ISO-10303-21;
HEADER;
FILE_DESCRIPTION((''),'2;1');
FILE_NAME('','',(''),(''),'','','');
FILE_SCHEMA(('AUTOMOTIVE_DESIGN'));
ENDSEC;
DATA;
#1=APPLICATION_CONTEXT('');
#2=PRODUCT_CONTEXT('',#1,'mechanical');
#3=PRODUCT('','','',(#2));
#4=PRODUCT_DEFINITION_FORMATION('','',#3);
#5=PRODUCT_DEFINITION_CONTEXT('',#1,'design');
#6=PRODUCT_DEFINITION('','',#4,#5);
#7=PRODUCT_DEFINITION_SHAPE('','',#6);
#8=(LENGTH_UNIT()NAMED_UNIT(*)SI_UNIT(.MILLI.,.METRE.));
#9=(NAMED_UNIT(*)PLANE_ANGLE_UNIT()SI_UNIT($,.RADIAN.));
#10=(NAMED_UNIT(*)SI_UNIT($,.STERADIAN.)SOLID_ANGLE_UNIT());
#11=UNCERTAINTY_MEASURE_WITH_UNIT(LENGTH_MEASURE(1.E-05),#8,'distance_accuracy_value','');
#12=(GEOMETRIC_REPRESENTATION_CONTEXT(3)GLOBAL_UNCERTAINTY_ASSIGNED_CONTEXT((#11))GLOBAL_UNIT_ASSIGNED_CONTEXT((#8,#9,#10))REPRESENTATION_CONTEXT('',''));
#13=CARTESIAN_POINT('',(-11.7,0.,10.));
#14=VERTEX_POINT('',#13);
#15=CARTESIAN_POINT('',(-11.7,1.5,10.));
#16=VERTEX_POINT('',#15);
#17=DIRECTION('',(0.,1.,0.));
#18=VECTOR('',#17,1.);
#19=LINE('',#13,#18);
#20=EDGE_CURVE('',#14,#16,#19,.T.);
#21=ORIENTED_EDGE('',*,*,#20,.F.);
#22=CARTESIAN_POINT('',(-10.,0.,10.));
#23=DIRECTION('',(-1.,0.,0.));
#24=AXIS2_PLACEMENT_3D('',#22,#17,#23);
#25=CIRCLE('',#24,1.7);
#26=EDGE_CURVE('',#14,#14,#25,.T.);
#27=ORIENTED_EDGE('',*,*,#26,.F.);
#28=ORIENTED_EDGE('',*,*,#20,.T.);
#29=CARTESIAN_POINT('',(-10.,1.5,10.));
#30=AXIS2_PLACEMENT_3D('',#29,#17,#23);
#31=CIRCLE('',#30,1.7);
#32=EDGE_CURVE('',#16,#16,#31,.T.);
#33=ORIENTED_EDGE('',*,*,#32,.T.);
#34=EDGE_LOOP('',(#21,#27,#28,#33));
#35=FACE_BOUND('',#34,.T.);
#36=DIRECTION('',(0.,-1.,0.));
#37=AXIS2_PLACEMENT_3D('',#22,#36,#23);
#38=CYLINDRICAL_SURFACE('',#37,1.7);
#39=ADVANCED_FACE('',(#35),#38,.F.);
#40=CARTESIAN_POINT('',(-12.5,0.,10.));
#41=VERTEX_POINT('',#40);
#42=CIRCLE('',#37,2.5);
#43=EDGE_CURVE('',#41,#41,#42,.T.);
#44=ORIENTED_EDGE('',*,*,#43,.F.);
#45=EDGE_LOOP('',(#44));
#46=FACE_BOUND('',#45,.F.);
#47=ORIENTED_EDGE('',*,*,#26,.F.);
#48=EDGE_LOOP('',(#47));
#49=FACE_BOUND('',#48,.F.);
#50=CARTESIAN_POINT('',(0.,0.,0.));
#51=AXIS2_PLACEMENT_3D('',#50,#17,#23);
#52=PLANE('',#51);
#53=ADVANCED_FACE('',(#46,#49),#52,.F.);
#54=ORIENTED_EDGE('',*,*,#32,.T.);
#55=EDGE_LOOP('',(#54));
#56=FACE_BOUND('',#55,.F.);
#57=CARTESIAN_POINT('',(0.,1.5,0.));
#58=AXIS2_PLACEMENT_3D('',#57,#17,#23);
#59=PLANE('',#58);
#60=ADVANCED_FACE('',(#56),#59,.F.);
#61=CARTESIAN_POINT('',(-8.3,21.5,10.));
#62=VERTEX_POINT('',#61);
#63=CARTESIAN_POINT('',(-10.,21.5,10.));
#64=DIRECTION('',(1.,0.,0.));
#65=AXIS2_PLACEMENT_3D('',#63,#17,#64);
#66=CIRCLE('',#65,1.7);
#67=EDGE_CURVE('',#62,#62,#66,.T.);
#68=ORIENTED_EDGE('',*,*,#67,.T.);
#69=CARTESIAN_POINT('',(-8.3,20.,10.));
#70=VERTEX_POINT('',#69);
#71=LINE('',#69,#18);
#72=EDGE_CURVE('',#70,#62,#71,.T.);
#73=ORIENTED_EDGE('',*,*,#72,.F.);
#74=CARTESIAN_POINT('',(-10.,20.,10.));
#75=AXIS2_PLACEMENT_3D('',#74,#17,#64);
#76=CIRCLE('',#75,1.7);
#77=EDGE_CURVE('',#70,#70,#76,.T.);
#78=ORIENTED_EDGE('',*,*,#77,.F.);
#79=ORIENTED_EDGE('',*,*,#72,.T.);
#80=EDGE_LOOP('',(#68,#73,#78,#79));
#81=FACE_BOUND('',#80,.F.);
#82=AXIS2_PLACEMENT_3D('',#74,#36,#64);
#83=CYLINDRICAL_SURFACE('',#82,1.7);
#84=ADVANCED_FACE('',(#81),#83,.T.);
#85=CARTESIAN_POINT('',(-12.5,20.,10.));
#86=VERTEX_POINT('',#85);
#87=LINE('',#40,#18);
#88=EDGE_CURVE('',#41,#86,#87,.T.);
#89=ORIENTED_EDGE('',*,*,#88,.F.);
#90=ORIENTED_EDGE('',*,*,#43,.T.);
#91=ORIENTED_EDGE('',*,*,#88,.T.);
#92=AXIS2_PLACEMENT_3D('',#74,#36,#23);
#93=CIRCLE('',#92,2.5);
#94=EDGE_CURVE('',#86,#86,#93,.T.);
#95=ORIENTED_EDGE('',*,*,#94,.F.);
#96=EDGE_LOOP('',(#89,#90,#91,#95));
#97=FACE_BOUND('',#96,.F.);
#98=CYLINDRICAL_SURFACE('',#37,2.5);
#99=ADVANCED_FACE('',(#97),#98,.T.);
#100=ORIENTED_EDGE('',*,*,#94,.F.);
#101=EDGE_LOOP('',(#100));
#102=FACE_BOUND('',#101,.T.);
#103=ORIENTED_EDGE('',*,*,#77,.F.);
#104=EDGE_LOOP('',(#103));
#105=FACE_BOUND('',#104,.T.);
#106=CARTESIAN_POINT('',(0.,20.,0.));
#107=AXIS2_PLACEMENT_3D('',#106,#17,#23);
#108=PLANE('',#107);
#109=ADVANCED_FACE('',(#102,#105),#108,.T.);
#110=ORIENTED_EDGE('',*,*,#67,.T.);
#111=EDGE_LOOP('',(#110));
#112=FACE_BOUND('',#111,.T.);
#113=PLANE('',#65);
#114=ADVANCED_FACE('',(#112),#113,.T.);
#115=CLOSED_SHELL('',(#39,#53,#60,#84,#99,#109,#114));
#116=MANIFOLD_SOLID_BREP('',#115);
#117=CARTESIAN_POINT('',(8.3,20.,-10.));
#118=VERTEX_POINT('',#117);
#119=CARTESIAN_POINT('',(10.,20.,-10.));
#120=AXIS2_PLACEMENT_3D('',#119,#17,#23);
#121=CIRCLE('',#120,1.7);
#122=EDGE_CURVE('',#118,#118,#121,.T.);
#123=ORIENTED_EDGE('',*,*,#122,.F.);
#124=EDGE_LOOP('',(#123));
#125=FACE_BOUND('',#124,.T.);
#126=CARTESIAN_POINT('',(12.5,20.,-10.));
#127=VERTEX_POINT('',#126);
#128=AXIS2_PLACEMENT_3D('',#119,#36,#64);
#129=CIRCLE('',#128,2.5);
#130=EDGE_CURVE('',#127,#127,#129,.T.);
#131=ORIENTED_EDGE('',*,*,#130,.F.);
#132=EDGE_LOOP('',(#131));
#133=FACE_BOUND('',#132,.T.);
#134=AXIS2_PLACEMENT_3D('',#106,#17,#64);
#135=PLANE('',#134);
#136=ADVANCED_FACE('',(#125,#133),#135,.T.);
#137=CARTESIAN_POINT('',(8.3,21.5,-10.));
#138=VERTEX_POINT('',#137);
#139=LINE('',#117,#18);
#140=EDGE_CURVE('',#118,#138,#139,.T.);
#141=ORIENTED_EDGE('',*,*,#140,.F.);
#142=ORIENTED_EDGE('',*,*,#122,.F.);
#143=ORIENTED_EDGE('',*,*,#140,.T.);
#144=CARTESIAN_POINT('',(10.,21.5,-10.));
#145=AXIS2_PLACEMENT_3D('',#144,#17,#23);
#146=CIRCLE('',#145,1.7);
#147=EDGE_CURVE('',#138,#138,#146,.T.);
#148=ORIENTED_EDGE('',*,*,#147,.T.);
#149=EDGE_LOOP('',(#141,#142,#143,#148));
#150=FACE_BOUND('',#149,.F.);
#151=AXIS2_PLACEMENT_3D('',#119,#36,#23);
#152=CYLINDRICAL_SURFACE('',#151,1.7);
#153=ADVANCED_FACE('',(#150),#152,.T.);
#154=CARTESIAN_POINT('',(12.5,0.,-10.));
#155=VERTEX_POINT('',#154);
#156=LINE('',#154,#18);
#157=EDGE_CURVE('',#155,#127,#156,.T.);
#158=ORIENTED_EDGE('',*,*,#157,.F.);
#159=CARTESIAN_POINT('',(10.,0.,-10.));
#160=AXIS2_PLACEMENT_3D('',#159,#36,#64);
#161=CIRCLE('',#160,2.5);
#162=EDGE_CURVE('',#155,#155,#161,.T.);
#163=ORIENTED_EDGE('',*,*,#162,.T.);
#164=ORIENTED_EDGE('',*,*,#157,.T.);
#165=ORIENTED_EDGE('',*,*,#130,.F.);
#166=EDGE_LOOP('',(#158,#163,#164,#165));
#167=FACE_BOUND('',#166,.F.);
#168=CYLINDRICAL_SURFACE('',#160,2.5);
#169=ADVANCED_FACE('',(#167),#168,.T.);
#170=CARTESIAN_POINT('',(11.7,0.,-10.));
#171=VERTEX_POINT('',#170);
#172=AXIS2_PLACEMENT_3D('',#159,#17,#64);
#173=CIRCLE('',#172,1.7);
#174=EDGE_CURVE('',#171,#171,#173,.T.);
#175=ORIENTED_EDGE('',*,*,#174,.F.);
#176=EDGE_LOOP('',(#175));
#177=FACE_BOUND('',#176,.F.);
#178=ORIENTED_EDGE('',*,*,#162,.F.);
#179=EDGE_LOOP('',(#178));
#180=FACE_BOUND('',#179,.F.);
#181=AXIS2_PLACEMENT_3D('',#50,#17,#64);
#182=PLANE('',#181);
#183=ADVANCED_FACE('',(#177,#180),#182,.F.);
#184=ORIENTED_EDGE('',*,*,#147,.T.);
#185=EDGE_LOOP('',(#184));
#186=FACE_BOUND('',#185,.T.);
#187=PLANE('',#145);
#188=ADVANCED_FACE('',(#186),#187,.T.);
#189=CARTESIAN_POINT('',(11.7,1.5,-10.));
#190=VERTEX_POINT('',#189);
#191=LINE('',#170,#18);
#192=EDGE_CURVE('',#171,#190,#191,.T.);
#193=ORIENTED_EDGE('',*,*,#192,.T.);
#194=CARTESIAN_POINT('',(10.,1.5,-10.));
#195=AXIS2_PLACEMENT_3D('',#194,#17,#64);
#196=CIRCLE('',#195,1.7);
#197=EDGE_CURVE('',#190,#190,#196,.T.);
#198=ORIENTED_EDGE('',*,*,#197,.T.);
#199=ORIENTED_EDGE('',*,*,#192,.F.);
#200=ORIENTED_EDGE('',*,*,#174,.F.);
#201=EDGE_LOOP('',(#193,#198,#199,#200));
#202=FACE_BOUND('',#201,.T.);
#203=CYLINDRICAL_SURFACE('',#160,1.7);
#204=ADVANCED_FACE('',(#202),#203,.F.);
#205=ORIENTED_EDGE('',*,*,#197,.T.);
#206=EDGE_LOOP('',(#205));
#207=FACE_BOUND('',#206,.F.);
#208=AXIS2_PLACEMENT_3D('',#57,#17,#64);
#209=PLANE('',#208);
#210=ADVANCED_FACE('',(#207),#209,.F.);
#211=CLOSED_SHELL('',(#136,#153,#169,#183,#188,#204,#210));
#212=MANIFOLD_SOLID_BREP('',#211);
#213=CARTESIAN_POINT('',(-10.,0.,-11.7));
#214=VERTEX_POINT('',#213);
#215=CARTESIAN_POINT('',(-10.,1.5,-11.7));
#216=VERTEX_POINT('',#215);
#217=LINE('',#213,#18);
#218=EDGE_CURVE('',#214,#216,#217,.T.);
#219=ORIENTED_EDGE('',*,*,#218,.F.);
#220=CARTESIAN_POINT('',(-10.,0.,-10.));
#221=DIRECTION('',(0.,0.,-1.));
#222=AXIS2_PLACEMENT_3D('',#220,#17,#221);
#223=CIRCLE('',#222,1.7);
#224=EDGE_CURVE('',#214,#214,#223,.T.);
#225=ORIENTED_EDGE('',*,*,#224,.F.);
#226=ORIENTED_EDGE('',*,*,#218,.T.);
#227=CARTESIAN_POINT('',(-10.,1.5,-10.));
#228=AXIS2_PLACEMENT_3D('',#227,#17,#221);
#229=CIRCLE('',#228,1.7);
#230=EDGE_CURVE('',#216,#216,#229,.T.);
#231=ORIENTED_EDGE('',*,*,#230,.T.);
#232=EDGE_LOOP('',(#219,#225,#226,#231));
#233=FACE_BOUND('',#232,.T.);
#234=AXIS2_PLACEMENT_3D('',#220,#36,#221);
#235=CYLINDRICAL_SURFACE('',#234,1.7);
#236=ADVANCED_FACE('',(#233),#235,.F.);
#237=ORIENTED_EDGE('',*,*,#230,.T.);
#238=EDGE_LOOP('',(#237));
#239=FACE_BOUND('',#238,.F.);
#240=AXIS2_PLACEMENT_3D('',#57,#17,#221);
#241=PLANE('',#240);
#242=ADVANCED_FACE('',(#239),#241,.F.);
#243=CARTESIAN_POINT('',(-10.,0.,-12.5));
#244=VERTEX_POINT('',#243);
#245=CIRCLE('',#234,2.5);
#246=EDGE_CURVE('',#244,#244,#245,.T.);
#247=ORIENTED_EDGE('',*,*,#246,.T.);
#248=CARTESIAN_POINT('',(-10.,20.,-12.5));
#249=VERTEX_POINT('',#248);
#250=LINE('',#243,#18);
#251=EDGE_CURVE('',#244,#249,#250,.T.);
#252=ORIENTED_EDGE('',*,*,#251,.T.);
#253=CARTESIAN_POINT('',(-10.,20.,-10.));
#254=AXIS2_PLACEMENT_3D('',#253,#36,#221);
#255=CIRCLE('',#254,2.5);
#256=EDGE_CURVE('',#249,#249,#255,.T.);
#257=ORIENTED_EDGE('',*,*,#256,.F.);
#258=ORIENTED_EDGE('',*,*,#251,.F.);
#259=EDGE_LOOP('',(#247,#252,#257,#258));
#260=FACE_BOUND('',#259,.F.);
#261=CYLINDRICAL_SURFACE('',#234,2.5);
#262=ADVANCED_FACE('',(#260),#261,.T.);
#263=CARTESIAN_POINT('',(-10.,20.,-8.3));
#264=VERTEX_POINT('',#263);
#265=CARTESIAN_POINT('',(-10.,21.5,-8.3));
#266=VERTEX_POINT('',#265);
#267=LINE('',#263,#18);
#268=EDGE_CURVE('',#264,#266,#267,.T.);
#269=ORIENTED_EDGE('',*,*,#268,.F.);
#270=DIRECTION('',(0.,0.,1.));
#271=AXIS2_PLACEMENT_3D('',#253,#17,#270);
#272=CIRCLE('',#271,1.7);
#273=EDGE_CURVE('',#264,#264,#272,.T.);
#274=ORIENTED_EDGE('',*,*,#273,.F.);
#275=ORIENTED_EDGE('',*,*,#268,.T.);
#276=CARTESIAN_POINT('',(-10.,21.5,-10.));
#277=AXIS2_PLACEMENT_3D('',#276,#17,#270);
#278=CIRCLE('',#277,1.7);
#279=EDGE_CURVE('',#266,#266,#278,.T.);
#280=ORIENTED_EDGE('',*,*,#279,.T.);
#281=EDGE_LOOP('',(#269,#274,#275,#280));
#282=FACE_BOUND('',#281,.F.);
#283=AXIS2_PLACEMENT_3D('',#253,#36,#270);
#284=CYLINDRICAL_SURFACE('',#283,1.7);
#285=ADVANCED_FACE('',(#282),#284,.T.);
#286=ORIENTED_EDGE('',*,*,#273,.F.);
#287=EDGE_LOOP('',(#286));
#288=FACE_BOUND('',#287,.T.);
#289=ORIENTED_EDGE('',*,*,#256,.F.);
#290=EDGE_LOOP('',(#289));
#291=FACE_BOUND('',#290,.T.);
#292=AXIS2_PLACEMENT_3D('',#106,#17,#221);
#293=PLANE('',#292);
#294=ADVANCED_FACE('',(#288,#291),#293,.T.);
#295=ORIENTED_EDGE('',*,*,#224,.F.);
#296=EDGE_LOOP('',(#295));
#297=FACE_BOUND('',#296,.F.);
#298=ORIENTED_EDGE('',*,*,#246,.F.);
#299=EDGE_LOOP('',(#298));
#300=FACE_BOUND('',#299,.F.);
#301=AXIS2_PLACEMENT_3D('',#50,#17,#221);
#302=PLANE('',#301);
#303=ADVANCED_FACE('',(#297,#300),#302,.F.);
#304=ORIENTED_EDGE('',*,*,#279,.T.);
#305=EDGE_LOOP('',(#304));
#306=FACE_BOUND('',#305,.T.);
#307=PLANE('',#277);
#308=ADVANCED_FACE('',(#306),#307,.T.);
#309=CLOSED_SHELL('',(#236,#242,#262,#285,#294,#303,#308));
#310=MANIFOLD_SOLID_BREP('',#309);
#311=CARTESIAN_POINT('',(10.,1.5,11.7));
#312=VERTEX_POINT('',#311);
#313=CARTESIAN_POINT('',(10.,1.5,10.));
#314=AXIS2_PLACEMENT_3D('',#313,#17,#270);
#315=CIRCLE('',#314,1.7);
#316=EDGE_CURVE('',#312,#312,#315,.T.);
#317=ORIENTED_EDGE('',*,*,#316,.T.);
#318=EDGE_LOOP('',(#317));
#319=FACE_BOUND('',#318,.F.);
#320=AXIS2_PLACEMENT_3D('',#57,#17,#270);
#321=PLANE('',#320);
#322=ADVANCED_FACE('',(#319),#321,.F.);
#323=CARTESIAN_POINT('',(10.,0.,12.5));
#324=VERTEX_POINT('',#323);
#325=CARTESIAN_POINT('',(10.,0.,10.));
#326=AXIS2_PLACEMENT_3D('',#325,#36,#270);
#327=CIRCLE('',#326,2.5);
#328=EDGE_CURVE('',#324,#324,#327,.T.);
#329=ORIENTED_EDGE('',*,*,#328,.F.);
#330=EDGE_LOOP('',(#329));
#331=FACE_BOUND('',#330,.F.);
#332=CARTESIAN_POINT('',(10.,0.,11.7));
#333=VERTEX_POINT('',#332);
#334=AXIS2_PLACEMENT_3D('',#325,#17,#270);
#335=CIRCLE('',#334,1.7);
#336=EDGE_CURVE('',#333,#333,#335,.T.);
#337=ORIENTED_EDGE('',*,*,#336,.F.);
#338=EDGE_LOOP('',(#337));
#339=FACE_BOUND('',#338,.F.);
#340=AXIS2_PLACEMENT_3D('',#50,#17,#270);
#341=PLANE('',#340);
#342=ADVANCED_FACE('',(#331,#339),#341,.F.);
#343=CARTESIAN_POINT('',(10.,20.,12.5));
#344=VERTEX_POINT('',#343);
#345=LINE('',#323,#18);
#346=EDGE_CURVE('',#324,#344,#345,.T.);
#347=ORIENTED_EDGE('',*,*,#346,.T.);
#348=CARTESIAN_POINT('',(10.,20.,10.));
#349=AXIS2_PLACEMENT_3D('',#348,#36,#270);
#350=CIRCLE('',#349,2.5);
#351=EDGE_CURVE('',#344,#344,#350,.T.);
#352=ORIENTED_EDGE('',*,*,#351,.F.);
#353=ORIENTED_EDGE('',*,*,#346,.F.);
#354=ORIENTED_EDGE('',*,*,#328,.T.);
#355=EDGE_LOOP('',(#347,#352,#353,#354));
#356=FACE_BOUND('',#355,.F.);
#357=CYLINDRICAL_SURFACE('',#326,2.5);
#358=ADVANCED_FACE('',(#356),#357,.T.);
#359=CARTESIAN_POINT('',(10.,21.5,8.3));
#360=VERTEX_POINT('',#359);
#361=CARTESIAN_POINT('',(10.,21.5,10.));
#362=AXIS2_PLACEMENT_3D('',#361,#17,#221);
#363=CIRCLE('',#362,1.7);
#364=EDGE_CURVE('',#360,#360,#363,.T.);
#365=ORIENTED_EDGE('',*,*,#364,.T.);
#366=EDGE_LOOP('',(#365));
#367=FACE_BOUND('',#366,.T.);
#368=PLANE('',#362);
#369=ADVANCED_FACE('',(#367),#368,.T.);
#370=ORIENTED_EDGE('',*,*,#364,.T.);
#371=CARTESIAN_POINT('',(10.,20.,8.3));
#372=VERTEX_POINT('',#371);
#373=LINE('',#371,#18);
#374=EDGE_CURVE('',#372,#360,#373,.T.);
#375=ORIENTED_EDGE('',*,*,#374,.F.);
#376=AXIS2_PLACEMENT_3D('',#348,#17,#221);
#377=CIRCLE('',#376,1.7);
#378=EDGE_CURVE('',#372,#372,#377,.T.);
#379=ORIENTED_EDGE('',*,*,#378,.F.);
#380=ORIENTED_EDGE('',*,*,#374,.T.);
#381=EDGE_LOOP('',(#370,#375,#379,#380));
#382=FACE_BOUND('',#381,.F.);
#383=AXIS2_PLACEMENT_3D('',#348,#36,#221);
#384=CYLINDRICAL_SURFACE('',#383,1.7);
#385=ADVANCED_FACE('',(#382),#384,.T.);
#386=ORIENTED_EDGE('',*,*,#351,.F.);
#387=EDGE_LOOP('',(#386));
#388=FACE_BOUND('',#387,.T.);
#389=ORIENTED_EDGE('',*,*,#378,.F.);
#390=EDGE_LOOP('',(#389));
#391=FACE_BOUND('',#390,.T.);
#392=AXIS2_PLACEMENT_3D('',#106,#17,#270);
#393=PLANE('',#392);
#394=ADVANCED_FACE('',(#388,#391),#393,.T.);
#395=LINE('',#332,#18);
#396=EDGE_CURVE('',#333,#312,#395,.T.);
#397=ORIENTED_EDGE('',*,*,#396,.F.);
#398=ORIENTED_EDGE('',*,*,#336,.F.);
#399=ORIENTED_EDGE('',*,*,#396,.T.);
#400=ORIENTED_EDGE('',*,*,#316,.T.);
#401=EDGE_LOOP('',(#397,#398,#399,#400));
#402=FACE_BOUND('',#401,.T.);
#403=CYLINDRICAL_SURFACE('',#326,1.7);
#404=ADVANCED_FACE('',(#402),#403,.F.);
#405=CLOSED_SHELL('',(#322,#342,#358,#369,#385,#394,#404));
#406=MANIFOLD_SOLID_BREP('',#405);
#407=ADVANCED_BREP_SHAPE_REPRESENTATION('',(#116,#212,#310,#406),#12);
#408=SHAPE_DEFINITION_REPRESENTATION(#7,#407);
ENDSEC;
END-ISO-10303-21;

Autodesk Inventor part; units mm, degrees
ref_plane "YZ Plane" through (0, 0, 0) normal (1, 0, 0) x (0, 1, 0)
ref_plane "XZ Plane" through (0, 0, 0) normal (0, 1, 0) x (-1, 0, 0)
ref_plane "XY Plane" through (0, 0, 0) normal (0, 0, 1) x (1, 0, 0)
sketch "草圖1" plane through (0, 0, 0) normal (0, 1, 0) x (-1, 0, 0)
  circle A0 centre (10, 10) radius 1.7
  circle A1 centre (10, 10) radius 2.5
  line L0 (12.5, 12.5) -> (-12.5, 12.5)
  line L1 (-12.5, 12.5) -> (-12.5, -12.5)
  line L2 (-12.5, -12.5) -> (12.5, -12.5)
  line L3 (12.5, -12.5) -> (12.5, 12.5)
  point P0 (0, 0)
  point P1 (12.5, 0)
  point P2 (0, -12.5)
  dimension "d0" = 3.4
  dimension "d1" = 5
  dimension "d11" = 25
  dimension "d12" = 25
  dimension "d13" = 2.5
  dimension "d14" = 2.5
extrude "擠出1" add sketch "草圖1" along normal blind 20 contours A0 | A1
extrude "擠出2" cut sketch "草圖1" along normal blind 1.5 contours A0
sketch "草圖2" plane through (-10, 20, 10) normal (0, 1, 0) x (1, 0, 0)
  circle A0 centre (0, 0) radius 1.7 projected
  point P0 (10, 10)
extrude "擠出3" add sketch "草圖2" along normal blind 1.5
pattern_circular "環形陣列1" count 4 over 360 about axis through (0, -10, 0) along (0, 1, 0) of "擠出1", "擠出3", "擠出2"
properties part number "110033226_ipt_26_騎樓梁架"
